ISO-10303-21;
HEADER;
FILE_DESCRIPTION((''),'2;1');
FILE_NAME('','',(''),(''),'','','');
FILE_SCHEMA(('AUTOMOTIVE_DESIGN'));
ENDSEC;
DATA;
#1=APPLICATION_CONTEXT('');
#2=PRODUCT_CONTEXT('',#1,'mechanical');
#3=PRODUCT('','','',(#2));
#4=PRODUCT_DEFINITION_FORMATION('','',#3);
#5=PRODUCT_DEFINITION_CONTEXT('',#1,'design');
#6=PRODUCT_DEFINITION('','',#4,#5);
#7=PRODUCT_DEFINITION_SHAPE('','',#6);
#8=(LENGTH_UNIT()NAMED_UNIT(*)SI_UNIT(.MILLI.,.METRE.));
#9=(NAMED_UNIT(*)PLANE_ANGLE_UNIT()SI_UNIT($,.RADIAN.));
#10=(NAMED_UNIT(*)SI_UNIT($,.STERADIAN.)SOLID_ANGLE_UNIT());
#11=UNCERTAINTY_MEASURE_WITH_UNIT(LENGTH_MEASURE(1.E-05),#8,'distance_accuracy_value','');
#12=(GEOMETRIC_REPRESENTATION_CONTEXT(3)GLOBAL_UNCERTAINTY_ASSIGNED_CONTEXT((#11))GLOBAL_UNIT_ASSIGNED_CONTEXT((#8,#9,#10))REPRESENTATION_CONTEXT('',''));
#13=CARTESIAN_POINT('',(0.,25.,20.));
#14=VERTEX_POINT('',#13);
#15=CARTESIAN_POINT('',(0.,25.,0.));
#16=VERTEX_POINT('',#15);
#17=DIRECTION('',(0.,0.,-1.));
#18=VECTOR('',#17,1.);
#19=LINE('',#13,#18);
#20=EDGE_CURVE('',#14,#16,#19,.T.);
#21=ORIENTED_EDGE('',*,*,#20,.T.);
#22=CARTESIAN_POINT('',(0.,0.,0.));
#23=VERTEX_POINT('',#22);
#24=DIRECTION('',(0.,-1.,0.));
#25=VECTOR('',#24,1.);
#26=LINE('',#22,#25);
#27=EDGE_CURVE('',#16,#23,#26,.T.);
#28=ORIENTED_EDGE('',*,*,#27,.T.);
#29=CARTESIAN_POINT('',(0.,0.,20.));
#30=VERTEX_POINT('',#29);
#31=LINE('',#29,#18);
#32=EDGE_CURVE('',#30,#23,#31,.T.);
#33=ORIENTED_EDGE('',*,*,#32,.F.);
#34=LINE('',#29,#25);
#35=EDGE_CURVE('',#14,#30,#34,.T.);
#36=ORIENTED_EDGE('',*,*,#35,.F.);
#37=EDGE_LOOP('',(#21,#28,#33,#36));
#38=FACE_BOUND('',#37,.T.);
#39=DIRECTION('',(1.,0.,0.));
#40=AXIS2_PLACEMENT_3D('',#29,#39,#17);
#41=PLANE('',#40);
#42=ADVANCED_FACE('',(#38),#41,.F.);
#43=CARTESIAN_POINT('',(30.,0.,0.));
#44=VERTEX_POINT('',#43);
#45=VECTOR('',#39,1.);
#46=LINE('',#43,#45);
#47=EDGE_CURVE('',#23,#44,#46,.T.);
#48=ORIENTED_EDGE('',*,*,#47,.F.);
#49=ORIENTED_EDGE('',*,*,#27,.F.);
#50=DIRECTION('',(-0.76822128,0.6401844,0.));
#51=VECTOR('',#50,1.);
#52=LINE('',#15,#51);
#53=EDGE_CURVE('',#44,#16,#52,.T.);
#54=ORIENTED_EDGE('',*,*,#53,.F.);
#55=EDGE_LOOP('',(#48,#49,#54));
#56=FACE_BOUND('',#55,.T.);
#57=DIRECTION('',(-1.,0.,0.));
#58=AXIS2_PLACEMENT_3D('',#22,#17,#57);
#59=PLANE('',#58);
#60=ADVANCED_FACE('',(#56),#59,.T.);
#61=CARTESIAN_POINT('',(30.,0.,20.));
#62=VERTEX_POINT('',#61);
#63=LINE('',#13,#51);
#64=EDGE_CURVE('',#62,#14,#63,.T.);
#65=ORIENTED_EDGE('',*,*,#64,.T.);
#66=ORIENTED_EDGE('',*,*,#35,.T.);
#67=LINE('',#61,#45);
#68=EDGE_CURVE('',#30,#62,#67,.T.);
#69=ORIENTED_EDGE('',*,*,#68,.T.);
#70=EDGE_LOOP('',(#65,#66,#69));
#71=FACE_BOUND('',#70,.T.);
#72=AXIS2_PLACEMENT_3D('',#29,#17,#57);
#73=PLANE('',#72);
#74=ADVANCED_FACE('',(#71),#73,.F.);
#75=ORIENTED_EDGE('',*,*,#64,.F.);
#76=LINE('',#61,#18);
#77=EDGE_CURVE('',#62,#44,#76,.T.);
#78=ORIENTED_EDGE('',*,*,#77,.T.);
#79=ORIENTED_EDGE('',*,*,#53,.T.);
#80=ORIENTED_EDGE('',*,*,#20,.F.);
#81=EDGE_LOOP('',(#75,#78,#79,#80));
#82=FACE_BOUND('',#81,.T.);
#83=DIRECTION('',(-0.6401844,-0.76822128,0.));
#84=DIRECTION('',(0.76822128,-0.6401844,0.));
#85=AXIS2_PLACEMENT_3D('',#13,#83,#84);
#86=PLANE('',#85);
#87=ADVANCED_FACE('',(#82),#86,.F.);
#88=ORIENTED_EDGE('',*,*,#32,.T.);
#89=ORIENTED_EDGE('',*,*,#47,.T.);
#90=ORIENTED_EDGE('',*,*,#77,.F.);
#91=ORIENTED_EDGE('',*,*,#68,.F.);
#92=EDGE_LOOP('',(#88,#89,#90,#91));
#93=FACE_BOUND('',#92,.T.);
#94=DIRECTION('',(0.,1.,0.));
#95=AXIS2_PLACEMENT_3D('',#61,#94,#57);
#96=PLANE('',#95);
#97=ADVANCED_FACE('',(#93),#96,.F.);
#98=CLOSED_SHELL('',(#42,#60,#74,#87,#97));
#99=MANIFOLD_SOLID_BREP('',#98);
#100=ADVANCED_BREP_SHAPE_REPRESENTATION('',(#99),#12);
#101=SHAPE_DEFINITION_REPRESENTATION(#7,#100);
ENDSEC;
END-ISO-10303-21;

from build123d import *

# Parameters (mm, degrees)
BOSS_EXTRUDE1_DEPTH = 20


with BuildPart() as part:
    # Sketch1 → Boss-Extrude1 (new body)
    with BuildSketch(Plane.XY):
        Polygon((0, 0), (0, 25), (30, 0), align=None)
    extrude(amount=BOSS_EXTRUDE1_DEPTH)


solid = part.part
